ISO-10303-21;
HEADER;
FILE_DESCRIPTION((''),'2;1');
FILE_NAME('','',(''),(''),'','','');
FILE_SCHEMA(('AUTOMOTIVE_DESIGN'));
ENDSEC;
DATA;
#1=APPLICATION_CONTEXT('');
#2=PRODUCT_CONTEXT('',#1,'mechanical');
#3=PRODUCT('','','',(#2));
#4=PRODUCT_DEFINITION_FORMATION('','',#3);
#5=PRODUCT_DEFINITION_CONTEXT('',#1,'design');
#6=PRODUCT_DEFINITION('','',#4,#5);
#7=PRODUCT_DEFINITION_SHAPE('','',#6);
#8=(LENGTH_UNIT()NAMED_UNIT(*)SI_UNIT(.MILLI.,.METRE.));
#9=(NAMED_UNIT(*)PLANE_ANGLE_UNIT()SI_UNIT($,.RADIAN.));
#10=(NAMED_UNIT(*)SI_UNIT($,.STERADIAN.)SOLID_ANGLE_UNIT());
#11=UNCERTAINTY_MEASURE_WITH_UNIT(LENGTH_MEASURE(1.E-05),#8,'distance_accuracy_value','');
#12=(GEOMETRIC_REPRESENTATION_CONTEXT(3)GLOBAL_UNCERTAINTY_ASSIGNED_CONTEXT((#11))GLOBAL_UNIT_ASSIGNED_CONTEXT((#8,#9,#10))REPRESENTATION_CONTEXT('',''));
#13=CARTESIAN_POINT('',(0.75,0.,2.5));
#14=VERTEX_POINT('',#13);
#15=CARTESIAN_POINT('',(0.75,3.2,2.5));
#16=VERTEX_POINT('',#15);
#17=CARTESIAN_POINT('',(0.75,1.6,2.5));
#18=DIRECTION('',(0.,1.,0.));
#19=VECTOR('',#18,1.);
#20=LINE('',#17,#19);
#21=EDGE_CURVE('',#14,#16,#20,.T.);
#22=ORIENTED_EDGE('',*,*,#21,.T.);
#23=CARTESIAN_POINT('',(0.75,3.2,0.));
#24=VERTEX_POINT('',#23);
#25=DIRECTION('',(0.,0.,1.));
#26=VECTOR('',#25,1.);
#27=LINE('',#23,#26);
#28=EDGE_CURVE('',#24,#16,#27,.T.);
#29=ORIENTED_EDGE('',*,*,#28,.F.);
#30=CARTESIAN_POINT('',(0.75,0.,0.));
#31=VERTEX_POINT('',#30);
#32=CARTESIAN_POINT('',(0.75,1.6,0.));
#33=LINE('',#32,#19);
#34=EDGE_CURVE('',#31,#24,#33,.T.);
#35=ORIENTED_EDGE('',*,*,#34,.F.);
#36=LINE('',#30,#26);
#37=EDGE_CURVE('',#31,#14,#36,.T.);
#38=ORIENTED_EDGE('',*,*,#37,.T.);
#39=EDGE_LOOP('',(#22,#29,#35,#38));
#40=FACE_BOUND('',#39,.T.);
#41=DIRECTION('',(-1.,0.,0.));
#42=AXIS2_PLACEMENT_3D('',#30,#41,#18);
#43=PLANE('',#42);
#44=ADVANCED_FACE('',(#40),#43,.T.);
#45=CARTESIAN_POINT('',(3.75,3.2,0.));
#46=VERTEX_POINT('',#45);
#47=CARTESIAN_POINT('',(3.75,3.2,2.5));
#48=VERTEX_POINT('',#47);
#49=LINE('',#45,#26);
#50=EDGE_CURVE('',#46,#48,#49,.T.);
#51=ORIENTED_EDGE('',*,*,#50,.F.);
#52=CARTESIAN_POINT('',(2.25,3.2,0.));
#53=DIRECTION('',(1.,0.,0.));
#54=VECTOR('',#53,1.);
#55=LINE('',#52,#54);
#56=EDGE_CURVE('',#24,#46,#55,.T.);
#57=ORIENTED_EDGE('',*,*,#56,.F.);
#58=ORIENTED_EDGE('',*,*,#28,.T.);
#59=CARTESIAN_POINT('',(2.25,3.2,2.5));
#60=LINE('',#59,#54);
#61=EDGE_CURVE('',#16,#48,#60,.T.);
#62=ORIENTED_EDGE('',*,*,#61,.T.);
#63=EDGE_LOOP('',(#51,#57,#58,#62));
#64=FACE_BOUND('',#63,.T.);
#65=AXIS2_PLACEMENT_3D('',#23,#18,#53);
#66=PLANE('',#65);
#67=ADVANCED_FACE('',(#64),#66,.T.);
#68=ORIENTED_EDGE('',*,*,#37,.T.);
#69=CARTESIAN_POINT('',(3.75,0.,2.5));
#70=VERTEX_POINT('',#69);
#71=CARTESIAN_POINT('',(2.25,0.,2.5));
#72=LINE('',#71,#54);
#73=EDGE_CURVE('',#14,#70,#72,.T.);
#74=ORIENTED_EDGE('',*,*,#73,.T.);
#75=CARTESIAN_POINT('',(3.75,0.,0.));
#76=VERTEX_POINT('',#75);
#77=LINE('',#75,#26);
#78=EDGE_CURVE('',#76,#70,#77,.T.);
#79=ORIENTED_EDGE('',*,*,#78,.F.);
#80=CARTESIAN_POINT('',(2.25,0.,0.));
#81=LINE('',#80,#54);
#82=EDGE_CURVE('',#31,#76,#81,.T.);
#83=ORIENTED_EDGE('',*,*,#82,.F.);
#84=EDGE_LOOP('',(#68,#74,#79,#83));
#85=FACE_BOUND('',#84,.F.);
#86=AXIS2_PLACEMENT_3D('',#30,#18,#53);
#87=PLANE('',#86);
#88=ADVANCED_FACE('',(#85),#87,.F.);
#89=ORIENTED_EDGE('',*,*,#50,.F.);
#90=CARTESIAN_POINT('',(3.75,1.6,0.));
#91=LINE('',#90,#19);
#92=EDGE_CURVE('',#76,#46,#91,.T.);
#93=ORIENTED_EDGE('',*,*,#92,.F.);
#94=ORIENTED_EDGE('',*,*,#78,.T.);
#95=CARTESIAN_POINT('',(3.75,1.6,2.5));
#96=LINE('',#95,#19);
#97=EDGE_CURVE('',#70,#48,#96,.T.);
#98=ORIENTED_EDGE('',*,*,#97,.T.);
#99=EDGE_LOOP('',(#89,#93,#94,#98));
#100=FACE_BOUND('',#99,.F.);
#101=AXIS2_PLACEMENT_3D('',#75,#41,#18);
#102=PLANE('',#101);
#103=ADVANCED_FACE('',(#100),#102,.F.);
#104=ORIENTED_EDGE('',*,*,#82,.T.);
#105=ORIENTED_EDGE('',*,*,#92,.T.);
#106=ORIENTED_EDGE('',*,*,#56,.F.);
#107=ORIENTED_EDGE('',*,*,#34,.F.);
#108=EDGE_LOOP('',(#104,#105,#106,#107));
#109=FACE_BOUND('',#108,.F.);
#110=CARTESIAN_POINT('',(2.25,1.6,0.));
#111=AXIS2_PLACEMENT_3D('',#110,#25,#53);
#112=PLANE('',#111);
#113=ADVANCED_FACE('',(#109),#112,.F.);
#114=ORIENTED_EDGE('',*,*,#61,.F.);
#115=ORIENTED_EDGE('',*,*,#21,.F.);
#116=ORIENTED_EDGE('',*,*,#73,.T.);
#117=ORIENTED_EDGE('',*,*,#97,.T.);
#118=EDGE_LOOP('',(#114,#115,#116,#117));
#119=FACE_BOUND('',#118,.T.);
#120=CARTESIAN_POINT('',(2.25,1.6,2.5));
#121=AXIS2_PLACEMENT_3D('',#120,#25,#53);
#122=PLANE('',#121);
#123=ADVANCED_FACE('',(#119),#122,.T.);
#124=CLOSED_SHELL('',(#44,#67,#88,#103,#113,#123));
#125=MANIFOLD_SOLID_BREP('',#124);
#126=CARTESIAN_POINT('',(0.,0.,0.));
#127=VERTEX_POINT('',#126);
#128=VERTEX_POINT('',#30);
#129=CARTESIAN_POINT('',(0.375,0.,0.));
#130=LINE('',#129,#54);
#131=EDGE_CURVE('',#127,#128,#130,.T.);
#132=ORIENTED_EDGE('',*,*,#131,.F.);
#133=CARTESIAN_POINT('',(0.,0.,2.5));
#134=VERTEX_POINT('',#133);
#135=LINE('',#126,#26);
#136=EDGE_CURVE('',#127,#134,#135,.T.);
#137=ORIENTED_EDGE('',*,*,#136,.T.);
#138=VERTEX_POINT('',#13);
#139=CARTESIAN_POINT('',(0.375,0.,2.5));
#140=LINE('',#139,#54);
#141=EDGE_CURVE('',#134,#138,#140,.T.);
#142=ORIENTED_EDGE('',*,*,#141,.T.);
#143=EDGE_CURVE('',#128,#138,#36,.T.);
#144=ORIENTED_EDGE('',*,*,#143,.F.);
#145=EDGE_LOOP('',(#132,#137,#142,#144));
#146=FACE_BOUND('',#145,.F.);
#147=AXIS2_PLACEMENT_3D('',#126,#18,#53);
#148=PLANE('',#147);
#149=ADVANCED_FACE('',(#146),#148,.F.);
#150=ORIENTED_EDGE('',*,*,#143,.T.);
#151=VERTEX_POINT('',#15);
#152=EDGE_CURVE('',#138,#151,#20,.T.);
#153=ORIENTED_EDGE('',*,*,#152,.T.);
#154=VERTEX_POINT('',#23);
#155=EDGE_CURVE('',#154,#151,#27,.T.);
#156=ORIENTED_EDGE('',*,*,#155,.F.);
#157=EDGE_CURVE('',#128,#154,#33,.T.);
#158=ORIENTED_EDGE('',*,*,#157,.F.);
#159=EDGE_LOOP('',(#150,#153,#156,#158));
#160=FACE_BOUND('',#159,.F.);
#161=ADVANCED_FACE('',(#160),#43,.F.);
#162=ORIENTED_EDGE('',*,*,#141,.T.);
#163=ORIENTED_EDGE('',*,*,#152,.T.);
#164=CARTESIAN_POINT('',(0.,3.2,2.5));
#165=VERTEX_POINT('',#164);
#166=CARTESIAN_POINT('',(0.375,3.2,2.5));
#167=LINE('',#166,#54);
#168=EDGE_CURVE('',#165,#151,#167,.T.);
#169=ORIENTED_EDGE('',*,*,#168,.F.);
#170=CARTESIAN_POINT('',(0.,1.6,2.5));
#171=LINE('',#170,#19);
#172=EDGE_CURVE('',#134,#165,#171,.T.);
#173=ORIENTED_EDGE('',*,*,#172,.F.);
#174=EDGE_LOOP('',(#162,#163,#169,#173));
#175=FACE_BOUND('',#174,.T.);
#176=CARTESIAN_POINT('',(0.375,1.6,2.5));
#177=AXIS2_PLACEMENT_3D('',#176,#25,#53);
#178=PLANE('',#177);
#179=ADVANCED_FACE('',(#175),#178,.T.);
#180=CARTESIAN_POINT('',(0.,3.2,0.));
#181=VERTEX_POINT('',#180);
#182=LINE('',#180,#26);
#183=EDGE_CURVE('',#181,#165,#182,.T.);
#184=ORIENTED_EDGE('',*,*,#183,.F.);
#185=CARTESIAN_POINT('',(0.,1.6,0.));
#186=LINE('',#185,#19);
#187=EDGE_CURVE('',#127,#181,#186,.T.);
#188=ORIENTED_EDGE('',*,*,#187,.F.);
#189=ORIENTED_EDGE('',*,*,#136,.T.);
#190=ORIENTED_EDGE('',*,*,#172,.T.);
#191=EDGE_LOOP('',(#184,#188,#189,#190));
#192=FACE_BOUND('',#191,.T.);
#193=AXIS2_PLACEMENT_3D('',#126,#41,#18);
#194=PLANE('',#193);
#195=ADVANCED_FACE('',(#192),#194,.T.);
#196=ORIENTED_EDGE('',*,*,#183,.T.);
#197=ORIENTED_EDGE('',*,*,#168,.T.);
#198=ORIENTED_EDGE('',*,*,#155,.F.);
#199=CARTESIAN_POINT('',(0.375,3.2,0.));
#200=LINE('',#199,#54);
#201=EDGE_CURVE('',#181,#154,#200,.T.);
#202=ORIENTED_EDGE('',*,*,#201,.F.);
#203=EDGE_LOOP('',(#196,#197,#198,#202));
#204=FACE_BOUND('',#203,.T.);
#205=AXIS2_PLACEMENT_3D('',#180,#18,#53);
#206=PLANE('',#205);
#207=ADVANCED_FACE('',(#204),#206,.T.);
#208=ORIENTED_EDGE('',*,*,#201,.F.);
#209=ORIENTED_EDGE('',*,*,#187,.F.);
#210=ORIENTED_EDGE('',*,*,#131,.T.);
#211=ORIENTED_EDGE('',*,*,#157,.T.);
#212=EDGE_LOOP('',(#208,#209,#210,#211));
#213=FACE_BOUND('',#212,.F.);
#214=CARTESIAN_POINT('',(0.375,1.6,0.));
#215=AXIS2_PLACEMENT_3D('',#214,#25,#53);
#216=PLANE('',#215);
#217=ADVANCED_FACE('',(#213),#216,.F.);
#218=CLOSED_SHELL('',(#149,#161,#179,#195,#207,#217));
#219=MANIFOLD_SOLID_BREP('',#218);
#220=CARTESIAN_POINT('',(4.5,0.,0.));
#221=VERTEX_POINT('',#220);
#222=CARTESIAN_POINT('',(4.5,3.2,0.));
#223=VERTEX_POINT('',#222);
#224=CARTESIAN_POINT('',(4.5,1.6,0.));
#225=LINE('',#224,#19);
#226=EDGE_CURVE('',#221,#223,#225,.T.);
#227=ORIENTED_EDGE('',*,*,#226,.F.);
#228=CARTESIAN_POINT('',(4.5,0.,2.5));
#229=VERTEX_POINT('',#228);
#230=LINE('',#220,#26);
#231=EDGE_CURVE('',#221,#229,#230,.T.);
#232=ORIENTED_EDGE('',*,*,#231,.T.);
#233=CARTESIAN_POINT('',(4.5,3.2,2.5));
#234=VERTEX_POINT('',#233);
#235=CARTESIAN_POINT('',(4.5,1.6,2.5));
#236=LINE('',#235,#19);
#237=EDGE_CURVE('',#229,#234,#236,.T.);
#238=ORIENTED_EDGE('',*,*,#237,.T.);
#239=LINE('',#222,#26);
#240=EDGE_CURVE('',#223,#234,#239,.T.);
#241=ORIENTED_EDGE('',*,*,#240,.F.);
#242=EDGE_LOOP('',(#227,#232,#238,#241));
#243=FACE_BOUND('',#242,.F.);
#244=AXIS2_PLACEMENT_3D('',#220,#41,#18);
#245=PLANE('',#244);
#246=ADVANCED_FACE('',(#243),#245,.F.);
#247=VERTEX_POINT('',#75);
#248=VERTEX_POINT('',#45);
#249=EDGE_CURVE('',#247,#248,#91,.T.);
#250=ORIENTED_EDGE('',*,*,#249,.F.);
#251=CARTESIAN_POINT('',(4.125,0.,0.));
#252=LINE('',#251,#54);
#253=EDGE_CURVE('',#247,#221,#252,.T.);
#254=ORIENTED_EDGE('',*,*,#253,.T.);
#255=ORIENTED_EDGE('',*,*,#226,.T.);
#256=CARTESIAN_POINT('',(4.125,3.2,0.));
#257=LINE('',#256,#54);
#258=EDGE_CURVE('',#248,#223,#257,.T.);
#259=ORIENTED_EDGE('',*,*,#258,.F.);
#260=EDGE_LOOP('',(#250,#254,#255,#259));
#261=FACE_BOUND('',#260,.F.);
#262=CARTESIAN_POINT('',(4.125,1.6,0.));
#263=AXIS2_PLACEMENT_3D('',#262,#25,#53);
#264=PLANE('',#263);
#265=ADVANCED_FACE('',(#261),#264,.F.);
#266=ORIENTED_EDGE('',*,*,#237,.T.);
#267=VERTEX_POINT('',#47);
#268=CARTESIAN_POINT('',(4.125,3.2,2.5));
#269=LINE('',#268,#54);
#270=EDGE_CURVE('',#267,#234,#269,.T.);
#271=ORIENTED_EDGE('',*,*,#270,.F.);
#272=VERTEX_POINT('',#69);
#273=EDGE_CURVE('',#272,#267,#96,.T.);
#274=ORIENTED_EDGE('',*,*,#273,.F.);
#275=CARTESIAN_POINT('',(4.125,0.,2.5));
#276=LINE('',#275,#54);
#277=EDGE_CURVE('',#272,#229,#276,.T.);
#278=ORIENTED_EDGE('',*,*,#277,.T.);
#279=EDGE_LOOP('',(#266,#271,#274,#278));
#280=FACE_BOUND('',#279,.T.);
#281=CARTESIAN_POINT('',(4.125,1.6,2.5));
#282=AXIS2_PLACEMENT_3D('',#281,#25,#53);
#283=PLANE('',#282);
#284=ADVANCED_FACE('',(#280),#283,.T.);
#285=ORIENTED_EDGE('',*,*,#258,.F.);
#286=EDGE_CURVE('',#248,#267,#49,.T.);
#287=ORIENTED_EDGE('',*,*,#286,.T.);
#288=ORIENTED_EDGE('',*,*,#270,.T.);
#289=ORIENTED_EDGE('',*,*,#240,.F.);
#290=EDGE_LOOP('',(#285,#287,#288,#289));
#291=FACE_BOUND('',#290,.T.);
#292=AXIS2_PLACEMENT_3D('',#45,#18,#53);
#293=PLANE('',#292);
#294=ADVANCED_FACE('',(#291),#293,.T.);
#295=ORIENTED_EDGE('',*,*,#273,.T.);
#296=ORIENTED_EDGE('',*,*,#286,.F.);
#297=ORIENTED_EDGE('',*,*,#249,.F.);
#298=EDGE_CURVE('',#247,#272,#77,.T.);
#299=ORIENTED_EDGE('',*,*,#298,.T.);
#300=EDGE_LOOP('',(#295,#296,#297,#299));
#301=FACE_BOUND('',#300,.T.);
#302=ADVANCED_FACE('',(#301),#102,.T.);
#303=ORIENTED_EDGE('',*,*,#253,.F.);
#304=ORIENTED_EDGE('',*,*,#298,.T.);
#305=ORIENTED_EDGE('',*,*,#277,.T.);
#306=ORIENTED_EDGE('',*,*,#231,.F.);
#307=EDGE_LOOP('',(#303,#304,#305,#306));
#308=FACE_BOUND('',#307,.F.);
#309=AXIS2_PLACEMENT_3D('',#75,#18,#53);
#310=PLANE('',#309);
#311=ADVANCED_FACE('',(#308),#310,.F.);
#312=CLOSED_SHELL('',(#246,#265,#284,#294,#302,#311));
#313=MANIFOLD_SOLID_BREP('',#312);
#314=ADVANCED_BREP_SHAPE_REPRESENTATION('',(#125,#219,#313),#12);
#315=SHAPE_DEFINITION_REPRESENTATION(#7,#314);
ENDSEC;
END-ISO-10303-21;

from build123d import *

# Parameters (mm, degrees)
BOX_W        = 0.75
BOX_H        = 3.2
BOX_DEPTH    = 2.5
BOX001_W     = 3
BOX001_H     = 3.2
BOX001_DEPTH = 2.5
BOX002_W     = 0.75
BOX002_H     = 3.2
BOX002_DEPTH = 2.5


with BuildPart() as pad001:
    # Box → Box (new body)
    with BuildSketch(Plane.XY):
        with Locations((0.375, 1.6)):
            Rectangle(BOX_W, BOX_H)
    extrude(amount=BOX_DEPTH)


with BuildPart() as corpo:
    # Box001 → Box001 (new body)
    with BuildSketch(Plane(origin=(0.75, 0, 0), x_dir=(1, 0, 0), z_dir=(0, 0, 1))):
        with Locations((1.5, 1.6)):
            Rectangle(BOX001_W, BOX001_H)
    extrude(amount=BOX001_DEPTH)


with BuildPart() as pad002:
    # Box002 → Box002 (new body)
    with BuildSketch(Plane(origin=(3.75, 0, 0), x_dir=(1, 0, 0), z_dir=(0, 0, 1))):
        with Locations((0.375, 1.6)):
            Rectangle(BOX002_W, BOX002_H)
    extrude(amount=BOX002_DEPTH)


solid = Compound([pad001.part, corpo.part, pad002.part])
